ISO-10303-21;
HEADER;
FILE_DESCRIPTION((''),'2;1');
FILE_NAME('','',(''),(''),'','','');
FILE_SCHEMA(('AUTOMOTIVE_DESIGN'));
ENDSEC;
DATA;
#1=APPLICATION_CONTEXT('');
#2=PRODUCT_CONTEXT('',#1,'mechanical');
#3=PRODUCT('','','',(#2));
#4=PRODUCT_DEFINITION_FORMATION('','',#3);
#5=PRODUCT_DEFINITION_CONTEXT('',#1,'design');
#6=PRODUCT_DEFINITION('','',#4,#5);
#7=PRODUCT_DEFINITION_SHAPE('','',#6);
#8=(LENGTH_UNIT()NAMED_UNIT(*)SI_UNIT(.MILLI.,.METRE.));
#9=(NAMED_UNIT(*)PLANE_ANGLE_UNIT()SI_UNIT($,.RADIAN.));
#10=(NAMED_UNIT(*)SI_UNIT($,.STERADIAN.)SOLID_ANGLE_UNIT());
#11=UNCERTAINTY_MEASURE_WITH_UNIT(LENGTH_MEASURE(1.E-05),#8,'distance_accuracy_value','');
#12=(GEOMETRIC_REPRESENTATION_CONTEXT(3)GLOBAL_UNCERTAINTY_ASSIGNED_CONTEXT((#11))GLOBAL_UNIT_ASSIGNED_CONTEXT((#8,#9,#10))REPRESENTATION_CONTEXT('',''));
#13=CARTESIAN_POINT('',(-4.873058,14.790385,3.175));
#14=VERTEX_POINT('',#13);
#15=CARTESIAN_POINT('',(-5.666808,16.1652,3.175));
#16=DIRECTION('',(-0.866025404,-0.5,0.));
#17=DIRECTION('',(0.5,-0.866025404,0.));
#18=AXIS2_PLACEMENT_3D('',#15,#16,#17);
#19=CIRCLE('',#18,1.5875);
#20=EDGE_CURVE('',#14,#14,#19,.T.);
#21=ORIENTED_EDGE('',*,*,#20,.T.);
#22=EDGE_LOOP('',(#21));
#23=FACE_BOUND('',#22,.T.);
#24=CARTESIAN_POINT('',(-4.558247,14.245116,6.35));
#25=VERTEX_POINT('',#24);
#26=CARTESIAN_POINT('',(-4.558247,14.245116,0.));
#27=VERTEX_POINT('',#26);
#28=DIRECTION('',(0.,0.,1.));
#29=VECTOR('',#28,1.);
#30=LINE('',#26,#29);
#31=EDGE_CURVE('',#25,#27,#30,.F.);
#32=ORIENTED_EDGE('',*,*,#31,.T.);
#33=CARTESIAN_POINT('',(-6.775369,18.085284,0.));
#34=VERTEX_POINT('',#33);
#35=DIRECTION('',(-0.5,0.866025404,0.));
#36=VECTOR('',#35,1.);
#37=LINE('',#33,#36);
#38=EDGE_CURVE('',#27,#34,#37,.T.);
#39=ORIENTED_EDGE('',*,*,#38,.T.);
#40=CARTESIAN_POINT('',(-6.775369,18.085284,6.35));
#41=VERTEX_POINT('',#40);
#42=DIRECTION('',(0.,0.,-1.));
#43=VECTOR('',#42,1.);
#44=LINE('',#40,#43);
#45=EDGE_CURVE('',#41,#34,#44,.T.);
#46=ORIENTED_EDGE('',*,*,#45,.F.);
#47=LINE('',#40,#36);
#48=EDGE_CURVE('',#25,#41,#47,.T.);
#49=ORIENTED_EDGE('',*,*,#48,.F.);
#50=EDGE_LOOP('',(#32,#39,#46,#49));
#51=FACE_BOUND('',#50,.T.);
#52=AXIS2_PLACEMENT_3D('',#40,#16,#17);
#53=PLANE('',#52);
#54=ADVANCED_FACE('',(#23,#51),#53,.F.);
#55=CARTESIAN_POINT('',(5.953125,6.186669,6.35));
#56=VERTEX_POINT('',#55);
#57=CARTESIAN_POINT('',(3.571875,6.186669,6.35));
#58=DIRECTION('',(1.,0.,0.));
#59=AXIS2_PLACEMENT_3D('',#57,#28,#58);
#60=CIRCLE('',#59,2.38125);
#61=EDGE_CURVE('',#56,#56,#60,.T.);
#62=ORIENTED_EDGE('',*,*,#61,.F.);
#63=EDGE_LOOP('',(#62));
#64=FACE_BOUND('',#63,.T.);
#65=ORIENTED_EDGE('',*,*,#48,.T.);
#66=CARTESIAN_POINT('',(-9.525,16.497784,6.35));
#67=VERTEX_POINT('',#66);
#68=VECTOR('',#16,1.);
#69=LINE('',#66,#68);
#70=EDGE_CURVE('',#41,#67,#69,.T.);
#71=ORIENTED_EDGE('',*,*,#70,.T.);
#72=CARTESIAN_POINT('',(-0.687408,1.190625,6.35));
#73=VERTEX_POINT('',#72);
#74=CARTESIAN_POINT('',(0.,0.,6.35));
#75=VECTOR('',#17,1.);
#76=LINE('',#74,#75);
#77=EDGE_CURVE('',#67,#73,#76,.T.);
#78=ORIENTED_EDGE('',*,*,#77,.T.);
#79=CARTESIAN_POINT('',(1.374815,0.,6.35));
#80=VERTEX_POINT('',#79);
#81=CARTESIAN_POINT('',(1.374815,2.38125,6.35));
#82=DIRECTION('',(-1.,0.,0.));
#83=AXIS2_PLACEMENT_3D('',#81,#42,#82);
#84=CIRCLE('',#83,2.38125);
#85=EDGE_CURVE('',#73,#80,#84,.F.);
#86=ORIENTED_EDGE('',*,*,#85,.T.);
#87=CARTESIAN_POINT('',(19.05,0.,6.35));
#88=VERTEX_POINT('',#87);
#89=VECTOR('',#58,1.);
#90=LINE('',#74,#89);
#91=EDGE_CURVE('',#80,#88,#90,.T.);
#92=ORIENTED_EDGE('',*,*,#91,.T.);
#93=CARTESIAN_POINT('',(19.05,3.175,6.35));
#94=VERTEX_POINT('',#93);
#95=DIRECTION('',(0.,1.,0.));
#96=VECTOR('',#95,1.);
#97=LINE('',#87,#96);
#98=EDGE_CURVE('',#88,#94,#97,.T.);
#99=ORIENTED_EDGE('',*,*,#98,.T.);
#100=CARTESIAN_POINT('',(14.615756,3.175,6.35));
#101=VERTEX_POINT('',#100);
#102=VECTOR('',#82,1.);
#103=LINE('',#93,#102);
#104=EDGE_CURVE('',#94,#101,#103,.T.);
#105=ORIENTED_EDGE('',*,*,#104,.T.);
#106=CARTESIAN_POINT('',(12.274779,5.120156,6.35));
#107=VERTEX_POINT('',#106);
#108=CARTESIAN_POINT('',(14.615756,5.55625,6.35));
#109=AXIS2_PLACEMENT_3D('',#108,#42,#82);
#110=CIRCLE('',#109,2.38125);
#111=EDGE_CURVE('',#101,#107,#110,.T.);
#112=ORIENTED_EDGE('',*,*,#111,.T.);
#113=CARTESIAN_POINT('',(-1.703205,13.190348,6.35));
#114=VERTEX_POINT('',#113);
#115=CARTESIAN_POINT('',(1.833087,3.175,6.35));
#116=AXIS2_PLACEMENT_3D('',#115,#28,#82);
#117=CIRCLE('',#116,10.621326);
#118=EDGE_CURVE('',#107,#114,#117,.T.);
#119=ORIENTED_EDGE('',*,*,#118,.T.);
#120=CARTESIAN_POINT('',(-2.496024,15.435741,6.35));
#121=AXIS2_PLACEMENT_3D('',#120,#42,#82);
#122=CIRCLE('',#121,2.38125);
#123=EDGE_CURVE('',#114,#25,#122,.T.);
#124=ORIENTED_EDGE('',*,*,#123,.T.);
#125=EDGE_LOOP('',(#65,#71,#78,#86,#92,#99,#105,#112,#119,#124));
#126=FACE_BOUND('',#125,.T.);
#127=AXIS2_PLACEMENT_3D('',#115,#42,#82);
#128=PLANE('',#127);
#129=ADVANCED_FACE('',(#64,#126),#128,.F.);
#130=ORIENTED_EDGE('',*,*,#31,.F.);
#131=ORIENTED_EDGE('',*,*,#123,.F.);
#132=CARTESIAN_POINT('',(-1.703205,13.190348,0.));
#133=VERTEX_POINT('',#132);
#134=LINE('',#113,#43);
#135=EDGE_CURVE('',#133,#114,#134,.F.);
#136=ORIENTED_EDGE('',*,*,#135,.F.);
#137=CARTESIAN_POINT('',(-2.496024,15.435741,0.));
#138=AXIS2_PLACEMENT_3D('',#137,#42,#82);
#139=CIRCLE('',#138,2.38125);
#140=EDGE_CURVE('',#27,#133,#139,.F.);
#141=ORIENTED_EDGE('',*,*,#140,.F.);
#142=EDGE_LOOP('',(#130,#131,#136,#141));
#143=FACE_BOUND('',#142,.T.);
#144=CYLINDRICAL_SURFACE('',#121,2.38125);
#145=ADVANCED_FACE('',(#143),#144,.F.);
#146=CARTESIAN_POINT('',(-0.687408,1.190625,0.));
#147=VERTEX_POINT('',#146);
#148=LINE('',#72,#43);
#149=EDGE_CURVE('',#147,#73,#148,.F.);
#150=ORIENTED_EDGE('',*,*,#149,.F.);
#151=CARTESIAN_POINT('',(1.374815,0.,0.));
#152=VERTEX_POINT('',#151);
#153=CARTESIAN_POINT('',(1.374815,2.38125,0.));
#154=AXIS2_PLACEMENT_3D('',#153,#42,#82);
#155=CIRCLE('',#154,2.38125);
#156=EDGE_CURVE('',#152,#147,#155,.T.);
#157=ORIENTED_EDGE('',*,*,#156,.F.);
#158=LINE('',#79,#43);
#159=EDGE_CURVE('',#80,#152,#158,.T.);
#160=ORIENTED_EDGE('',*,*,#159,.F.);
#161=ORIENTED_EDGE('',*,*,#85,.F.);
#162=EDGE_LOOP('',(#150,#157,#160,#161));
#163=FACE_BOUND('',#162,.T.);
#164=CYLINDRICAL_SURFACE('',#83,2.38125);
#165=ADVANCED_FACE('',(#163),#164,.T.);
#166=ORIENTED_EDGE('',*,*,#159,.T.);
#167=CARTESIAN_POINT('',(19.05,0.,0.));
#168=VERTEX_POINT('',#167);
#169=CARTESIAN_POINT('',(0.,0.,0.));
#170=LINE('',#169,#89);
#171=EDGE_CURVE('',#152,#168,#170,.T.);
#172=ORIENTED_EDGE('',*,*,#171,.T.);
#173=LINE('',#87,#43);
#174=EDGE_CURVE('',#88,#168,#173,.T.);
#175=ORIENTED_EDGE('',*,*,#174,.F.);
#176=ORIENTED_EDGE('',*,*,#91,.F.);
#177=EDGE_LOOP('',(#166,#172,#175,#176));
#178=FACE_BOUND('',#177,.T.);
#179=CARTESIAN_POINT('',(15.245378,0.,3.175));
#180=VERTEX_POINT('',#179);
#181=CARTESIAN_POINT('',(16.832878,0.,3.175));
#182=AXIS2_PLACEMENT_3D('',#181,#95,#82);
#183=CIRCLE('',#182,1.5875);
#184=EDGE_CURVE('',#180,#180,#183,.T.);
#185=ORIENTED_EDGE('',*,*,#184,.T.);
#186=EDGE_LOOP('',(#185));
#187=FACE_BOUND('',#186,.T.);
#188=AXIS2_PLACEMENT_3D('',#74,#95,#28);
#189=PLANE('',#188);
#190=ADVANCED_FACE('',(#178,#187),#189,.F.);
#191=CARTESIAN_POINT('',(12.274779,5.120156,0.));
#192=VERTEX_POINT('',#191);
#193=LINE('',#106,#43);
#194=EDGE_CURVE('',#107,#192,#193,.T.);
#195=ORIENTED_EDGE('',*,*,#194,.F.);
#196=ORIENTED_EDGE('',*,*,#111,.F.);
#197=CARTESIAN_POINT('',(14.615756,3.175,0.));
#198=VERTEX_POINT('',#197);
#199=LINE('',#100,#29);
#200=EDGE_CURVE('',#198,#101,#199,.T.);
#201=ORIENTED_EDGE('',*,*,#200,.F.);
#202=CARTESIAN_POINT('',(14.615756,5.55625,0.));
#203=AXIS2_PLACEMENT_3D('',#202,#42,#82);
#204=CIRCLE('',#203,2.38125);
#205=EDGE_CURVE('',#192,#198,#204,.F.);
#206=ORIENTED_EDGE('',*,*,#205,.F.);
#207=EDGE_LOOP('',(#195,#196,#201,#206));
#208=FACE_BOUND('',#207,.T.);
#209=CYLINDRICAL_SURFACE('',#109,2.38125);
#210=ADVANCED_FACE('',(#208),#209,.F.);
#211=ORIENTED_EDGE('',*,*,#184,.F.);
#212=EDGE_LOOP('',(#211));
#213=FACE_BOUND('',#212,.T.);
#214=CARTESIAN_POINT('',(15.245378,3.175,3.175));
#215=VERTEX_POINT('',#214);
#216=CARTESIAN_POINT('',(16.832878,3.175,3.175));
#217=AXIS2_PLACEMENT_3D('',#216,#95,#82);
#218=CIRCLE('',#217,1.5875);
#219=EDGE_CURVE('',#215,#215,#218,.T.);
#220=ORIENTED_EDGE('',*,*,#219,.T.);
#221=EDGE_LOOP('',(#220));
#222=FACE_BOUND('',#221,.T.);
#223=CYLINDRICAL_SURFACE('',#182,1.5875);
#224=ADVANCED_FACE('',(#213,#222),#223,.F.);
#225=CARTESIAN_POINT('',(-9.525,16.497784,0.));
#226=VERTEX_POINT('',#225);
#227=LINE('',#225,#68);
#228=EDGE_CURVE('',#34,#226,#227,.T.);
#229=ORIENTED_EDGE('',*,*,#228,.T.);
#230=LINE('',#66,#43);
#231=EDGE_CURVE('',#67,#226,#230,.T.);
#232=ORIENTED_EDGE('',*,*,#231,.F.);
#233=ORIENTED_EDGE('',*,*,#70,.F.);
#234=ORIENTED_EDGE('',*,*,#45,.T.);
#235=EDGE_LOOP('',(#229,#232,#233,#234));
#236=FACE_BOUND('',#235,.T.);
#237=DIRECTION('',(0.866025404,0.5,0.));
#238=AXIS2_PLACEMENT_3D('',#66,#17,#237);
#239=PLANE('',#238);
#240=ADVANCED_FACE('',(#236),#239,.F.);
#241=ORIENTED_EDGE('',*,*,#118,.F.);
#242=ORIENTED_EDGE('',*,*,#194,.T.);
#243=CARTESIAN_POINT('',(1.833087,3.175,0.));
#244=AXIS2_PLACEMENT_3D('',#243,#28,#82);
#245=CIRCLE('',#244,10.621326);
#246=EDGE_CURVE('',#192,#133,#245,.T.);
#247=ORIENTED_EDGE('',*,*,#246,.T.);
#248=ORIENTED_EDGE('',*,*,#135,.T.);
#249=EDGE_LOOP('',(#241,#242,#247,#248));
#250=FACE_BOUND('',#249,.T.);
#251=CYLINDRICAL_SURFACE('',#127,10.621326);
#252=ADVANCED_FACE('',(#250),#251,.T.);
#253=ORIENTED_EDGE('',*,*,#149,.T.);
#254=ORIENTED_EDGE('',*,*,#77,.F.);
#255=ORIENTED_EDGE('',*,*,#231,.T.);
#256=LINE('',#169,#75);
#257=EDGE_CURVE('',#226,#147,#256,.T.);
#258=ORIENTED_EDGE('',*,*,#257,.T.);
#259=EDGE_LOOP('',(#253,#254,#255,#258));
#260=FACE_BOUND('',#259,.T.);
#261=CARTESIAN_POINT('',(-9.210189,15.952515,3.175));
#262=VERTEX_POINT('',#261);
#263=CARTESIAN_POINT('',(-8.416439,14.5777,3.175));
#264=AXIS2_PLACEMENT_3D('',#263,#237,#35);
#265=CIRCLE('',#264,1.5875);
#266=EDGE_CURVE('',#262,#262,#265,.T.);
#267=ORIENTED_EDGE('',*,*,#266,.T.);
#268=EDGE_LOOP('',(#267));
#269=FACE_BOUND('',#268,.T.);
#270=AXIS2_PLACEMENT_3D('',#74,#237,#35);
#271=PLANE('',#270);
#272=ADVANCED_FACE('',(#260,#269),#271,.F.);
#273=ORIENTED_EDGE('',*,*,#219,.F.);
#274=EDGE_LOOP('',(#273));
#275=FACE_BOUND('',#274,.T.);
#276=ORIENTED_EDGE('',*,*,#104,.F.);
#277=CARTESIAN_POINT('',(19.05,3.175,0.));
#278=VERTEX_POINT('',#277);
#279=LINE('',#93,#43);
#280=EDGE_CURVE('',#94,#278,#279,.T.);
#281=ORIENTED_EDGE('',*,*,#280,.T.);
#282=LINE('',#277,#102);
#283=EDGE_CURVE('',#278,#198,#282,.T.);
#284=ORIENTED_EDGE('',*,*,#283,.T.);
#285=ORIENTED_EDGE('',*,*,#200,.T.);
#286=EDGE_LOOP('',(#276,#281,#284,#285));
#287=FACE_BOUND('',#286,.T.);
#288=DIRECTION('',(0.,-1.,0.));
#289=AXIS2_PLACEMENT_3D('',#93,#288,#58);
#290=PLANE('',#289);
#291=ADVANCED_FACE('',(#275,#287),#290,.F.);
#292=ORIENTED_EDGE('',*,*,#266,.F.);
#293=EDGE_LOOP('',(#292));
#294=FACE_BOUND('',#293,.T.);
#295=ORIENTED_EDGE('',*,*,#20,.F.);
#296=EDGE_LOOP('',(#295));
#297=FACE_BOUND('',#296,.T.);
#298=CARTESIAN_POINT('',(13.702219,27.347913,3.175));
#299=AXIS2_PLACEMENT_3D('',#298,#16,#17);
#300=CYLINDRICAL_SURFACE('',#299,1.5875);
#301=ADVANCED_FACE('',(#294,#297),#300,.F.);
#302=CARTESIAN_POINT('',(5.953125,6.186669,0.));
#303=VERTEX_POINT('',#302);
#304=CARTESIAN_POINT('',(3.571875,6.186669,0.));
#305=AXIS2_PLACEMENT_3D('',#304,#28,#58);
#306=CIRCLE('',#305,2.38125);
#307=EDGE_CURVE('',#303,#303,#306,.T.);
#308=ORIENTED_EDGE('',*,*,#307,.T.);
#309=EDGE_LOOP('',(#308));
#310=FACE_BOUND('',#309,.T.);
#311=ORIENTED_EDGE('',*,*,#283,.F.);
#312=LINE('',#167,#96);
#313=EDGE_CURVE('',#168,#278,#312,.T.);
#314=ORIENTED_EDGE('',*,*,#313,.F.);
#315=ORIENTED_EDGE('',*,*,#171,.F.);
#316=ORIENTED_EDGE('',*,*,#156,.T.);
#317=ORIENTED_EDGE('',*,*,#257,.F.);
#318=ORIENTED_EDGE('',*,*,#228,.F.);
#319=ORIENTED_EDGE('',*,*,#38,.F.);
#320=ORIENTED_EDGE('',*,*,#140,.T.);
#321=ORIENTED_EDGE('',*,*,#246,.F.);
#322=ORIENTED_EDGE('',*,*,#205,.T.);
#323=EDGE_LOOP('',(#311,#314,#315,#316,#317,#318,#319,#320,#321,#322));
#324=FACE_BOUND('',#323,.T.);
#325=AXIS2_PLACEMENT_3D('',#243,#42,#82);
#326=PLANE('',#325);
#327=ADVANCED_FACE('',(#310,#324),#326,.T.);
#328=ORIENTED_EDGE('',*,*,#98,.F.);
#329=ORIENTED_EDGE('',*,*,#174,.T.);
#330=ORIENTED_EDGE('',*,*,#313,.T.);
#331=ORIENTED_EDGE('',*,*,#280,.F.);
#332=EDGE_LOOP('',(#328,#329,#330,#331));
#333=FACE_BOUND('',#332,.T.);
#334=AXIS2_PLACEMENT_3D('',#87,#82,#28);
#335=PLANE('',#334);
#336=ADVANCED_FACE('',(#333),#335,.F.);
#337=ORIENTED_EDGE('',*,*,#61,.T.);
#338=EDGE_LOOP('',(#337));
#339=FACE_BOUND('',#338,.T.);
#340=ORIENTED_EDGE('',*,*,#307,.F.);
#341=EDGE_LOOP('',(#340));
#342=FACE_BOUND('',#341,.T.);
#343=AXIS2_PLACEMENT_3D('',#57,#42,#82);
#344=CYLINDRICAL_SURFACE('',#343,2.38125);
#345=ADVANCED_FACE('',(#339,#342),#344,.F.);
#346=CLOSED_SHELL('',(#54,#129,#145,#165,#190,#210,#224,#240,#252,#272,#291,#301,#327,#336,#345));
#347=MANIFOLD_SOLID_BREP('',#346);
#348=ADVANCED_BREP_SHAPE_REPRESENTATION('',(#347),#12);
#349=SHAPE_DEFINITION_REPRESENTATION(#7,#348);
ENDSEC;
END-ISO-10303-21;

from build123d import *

# Parameters (mm, degrees)
SKETCH1_R           = 2.38125
BOSS_EXTRUDE1_DEPTH = 6.35
FILLET1_R           = 2.38125
SKETCH2_R           = 1.5875
CUT_EXTRUDE1_DEPTH  = 26.010828999
CIRPATTERN1_COUNT   = 3


with BuildPart() as part:
    # Sketch1 → Boss-Extrude1 (new body)
    with BuildSketch(Plane.XY):
        with BuildLine():
            Line((0, 0), (19.05, 0))
            Line((19.05, 0), (19.05, 3.175))
            Line((19.05, 3.175), (12.454412895, 3.175))
            ThreePointArc((12.454412895, 3.175), (7.14375, 12.373337957), (-3.477575791, 12.373337957))
            Line((-3.477575791, 12.373337957), (-6.775369343, 18.085283942))
            Line((-6.775369343, 18.085283942), (-9.525, 16.497783942))
            Line((-9.525, 16.497783942), (0, 0))
        make_face()
        with Locations((3.571875, 6.186668978)):
            Circle(SKETCH1_R, mode=Mode.SUBTRACT)
    extrude(amount=BOSS_EXTRUDE1_DEPTH)

    # Fillet1
    fillet1_edges = [part.edges().sort_by_distance(p)[0] for p in [
        (-3.477575791, 12.373337957, 3.175),
        (12.454412895, 3.175, 3.175),
        (0, 0, 3.175),
    ]]
    fillet(fillet1_edges, radius=FILLET1_R)

    # Sketch2 → Cut-Extrude1 (cut, through all)
    with BuildSketch(Plane(origin=(0, 3.175, 0), x_dir=(1, 0, 0), z_dir=(0, 1, 0))):
        with Locations(Location((16.83287803, -3.175, 0), (0, 0, 180))):
            Circle(SKETCH2_R)
    cut_extrude1 = extrude(amount=-CUT_EXTRUDE1_DEPTH, mode=Mode.SUBTRACT)

    # CirPattern1: Cut-Extrude1 ×3 about axis
    cirpattern1_axis = Axis((0, 0, -80.9), (0, 0, 1))
    for i in range(1, CIRPATTERN1_COUNT):
        add(cut_extrude1.rotate(cirpattern1_axis, i * 360 / CIRPATTERN1_COUNT), mode=Mode.SUBTRACT)


solid = part.part
